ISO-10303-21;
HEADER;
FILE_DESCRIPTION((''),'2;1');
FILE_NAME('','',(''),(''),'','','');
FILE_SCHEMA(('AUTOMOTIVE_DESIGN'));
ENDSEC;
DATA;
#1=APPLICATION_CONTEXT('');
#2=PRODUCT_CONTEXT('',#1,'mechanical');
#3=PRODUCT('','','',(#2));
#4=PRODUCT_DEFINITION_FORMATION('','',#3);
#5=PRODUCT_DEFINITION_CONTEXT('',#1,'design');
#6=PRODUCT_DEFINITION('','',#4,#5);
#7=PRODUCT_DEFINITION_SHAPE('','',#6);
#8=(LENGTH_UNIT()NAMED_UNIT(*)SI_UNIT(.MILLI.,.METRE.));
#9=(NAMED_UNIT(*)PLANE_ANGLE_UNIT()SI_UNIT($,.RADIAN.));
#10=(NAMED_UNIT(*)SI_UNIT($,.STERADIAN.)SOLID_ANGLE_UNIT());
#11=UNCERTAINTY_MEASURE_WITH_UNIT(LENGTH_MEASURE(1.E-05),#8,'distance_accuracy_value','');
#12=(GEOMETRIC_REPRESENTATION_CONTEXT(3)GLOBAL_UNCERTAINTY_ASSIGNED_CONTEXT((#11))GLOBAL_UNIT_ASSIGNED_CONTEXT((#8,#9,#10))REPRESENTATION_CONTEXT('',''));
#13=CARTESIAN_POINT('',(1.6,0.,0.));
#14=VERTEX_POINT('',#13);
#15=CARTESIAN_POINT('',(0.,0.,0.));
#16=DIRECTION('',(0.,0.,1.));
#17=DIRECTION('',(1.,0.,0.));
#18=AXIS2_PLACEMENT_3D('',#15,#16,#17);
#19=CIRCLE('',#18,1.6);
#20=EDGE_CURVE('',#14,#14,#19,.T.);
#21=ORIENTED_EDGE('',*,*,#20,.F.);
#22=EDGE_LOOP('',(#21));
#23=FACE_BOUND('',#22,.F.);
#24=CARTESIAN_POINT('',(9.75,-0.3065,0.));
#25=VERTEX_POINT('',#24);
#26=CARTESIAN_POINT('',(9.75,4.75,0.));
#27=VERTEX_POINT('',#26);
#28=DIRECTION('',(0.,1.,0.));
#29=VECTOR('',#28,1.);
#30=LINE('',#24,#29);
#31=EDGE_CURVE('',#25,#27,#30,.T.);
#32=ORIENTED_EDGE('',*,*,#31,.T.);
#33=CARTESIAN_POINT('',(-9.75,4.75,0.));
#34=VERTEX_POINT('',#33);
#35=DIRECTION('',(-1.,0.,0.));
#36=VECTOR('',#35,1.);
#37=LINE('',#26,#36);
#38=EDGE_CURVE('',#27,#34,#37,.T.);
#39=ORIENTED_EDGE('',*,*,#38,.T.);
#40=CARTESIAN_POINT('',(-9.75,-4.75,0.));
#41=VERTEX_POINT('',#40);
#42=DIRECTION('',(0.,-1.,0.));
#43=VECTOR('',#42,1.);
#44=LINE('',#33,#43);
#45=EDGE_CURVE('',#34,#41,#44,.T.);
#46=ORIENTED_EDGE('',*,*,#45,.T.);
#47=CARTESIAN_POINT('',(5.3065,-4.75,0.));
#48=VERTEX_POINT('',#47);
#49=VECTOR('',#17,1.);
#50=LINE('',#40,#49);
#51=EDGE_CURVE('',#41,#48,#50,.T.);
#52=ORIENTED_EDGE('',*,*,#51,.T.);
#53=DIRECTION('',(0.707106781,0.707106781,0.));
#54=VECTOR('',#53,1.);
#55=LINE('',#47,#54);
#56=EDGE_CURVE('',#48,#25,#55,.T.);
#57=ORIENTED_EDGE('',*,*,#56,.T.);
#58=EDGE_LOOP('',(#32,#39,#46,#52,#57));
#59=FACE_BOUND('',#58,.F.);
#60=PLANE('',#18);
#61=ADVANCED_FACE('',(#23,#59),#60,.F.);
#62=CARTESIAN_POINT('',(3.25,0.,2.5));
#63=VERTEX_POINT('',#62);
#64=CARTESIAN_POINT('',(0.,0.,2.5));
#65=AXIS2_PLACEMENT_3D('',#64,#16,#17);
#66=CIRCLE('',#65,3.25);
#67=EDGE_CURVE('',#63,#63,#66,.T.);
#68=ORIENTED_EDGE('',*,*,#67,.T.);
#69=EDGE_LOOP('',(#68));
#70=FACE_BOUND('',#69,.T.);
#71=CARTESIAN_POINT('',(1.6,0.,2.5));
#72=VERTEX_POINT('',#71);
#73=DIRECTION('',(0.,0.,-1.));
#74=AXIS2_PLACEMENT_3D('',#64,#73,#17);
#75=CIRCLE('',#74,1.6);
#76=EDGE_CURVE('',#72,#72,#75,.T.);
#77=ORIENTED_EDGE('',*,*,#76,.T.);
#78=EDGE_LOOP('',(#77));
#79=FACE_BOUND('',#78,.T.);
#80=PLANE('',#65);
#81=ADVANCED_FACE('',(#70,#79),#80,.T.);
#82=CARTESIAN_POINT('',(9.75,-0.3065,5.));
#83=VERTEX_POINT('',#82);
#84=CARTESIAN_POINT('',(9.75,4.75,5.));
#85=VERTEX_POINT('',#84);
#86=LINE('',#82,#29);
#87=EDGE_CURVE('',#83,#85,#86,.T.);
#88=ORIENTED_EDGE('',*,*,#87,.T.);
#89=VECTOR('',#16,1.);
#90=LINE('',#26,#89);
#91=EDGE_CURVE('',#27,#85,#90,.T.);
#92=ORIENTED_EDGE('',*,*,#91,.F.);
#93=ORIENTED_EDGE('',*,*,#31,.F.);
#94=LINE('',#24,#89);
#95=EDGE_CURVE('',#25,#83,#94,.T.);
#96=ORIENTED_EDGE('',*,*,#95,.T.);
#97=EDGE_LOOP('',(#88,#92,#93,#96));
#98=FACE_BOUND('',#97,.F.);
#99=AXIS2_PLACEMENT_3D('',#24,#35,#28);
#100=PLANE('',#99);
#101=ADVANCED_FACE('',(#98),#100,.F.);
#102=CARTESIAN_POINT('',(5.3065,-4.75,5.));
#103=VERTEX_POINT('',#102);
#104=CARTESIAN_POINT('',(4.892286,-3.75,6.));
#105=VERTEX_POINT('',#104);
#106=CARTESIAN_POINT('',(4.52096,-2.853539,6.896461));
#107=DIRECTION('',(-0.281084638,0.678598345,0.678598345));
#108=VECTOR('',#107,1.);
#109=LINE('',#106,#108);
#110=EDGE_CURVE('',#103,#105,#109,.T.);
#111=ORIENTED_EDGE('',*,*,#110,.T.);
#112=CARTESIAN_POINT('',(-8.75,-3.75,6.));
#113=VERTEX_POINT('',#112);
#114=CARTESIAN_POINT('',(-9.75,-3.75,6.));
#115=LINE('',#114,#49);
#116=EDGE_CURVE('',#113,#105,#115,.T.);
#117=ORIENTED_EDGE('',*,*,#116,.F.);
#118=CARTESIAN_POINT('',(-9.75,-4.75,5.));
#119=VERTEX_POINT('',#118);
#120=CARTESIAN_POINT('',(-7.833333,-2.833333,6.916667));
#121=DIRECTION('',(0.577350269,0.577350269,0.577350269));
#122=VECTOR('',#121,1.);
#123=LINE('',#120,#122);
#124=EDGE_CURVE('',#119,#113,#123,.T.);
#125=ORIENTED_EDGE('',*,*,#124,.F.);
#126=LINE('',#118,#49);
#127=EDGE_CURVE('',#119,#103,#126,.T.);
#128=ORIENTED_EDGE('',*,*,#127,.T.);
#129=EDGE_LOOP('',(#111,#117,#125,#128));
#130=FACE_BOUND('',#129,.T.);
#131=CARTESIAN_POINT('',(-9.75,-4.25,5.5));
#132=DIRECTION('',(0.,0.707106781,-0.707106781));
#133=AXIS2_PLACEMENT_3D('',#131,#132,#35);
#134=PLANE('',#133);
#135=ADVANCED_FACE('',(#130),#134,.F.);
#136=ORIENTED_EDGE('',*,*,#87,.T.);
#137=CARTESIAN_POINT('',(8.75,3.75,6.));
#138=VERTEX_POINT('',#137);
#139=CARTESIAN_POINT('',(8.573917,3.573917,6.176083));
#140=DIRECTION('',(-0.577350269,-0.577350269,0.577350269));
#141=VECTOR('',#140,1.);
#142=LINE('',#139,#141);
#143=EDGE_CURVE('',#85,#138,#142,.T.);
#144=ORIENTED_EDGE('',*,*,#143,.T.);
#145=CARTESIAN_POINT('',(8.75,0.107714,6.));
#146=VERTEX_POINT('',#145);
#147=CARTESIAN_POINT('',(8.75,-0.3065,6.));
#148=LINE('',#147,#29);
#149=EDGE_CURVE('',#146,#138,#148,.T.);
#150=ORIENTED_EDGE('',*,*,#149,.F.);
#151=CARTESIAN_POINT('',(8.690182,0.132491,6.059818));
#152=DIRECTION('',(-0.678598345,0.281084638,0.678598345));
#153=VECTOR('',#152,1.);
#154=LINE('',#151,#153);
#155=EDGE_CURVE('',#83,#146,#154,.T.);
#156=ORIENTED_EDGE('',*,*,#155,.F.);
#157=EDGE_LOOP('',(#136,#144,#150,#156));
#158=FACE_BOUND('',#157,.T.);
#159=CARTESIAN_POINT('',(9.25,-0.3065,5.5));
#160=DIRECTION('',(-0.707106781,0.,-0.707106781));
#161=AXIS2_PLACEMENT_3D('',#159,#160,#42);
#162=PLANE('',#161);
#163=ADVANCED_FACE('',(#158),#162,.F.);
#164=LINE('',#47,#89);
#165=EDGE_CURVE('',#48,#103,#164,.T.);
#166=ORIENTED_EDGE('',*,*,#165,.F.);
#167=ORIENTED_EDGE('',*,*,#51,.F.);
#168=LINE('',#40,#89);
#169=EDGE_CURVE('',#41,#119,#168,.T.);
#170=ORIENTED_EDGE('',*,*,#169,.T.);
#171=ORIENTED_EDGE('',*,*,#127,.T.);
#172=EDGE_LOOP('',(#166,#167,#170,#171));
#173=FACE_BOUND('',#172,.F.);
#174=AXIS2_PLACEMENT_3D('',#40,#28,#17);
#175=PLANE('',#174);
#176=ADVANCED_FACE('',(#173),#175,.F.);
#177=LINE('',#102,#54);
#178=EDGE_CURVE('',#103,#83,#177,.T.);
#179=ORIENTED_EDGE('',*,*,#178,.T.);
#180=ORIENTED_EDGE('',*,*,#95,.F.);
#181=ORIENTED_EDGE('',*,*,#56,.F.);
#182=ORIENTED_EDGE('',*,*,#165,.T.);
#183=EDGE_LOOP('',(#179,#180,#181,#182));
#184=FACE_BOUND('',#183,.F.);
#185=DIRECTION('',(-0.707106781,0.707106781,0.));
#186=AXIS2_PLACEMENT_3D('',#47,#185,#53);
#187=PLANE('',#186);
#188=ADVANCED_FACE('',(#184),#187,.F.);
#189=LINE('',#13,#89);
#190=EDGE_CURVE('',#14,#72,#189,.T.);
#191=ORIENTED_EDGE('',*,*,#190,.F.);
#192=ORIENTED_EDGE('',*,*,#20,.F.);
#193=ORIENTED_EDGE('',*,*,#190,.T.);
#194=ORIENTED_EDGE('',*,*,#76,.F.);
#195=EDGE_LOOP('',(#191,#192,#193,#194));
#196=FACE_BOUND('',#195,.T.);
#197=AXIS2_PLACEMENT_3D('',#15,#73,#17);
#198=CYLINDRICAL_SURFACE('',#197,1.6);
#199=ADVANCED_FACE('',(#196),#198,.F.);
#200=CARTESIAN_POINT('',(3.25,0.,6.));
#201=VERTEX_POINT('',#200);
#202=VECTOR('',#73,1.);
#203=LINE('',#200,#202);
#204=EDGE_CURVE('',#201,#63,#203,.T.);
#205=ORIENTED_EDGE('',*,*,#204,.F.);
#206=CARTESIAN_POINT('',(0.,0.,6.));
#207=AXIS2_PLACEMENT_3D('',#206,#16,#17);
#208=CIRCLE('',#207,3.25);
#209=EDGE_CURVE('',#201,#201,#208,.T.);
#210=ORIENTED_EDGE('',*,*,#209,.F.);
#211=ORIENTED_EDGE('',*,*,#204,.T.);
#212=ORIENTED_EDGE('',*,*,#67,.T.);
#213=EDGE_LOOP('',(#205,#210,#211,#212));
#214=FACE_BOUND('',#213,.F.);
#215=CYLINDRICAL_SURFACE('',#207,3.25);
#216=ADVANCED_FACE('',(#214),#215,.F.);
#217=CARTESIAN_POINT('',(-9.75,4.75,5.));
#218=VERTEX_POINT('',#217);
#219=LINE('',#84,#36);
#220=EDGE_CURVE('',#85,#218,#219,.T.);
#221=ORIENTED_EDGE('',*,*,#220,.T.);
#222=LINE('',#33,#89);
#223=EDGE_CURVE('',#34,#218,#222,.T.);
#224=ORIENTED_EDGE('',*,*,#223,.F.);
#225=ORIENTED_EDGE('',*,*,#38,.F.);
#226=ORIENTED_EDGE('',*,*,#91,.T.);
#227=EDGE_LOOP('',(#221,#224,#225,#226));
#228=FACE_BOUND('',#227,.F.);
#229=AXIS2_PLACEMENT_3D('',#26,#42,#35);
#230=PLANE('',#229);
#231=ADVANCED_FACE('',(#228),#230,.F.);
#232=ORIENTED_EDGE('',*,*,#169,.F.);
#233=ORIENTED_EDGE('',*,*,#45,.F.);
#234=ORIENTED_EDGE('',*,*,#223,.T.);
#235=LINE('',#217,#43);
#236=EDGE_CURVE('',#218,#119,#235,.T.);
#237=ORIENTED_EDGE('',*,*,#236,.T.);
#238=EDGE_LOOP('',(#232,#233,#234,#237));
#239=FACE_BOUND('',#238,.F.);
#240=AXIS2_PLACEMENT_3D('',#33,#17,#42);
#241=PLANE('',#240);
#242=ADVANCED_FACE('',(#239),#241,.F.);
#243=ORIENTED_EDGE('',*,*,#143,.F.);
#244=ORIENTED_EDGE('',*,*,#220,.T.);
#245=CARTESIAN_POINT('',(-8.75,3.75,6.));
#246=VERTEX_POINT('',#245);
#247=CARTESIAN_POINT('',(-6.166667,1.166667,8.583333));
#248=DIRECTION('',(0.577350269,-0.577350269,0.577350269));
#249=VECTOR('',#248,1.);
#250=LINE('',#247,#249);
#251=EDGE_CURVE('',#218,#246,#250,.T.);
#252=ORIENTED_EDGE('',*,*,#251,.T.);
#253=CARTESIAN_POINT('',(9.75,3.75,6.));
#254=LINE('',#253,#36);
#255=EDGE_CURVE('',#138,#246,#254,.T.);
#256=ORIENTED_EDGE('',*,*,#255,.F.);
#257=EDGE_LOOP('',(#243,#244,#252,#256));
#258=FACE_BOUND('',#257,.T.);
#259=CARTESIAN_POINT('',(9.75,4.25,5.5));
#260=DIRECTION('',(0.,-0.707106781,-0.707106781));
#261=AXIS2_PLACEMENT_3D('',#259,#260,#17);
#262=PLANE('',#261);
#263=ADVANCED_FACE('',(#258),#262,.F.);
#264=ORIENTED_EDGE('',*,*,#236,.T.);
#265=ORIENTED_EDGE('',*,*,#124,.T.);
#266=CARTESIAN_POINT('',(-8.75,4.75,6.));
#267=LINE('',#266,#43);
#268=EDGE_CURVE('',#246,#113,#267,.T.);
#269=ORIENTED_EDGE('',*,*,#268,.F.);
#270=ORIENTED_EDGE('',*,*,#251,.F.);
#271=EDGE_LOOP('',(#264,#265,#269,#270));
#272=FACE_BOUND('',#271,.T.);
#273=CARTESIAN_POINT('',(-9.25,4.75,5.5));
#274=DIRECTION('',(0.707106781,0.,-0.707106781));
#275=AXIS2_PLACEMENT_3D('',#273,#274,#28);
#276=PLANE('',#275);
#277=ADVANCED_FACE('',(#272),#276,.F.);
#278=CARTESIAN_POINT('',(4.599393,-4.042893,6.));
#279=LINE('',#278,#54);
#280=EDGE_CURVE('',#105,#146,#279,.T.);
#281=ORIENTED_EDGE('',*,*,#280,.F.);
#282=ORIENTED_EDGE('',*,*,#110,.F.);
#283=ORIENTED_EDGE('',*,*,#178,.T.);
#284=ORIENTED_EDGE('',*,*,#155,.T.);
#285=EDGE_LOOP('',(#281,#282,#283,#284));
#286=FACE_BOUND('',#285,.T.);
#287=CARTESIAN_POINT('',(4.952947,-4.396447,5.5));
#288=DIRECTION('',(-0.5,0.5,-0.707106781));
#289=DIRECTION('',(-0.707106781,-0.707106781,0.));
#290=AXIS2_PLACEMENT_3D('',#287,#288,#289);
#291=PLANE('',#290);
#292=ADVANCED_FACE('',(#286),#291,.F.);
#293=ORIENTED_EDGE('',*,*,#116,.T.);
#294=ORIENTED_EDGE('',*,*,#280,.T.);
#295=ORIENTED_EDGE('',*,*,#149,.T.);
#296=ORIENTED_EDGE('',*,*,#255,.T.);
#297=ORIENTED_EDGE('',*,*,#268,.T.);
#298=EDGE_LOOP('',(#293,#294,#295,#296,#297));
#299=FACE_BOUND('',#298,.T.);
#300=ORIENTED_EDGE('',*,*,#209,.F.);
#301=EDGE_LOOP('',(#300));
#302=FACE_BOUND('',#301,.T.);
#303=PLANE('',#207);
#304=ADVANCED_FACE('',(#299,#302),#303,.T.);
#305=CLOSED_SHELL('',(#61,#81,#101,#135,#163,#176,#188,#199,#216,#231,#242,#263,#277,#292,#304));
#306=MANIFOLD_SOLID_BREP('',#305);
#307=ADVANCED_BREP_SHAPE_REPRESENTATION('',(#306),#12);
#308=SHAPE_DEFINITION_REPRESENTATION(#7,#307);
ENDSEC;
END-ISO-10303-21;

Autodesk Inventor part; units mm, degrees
ref_plane "YZ Plane" through (0, 0, 0) normal (1, 0, 0) x (0, 1, 0)
ref_plane "XZ Plane" through (0, 0, 0) normal (0, 1, 0) x (-1, 0, 0)
ref_plane "XY Plane" through (0, 0, 0) normal (0, 0, 1) x (1, 0, 0)
sketch "Эскиз1" plane through (0, 0, 0) normal (0, 0, 1) x (1, 0, 0)
  line L0 (10, 5) -> (10, -0.4101) projected
  line L1 (-10, 5) -> (10, 5) projected
  line L2 (-10, -5) -> (-10, 5) projected
  line L3 (5.4101, -5) -> (-10, -5) projected
  line L4 (10, -0.4101) -> (5.4101, -5) projected
  line L5 (9.75, -0.3065) -> (9.75, 4.75)
  line L6 (9.75, 4.75) -> (-9.75, 4.75)
  line L7 (-9.75, 4.75) -> (-9.75, -4.75)
  line L8 (-9.75, -4.75) -> (5.3065, -4.75)
  line L9 (5.3065, -4.75) -> (9.75, -0.3065)
  circle A0 centre (0, 0) radius 1.6 projected
  line L10 (10, 5) -> (10, -0.4101) projected
  line L11 (-10, 5) -> (10, 5) projected
  line L12 (-10, -5) -> (-10, 5) projected
  line L13 (5.4101, -5) -> (-10, -5) projected
  line L14 (10, -0.4101) -> (5.4101, -5) projected
  circle A1 centre (0, 0) radius 1.6 projected
  dimension "d0" = 0.25
extrude "Выдавливание1" add sketch "Эскиз1" along normal blind 6 contours L9 L8 L7 L6 L5
chamfer "Фаска1" distance 1 angle 45 5 edges at (-2.2218, -4.75, 6) (7.5282, -2.5282, 6) (9.75, 2.2218, 6) (0, 4.75, 6) (-9.75, 0, 6)
sketch "Эскиз2" plane through (0, 0, 6) normal (0, 0, 1) x (1, 0, 0)
  circle A0 centre (0, 0) radius 3.25
  dimension "d6" = 6.5
extrude "Выдавливание2" cut sketch "Эскиз2" against normal blind 3.5
properties part number "leg2"
